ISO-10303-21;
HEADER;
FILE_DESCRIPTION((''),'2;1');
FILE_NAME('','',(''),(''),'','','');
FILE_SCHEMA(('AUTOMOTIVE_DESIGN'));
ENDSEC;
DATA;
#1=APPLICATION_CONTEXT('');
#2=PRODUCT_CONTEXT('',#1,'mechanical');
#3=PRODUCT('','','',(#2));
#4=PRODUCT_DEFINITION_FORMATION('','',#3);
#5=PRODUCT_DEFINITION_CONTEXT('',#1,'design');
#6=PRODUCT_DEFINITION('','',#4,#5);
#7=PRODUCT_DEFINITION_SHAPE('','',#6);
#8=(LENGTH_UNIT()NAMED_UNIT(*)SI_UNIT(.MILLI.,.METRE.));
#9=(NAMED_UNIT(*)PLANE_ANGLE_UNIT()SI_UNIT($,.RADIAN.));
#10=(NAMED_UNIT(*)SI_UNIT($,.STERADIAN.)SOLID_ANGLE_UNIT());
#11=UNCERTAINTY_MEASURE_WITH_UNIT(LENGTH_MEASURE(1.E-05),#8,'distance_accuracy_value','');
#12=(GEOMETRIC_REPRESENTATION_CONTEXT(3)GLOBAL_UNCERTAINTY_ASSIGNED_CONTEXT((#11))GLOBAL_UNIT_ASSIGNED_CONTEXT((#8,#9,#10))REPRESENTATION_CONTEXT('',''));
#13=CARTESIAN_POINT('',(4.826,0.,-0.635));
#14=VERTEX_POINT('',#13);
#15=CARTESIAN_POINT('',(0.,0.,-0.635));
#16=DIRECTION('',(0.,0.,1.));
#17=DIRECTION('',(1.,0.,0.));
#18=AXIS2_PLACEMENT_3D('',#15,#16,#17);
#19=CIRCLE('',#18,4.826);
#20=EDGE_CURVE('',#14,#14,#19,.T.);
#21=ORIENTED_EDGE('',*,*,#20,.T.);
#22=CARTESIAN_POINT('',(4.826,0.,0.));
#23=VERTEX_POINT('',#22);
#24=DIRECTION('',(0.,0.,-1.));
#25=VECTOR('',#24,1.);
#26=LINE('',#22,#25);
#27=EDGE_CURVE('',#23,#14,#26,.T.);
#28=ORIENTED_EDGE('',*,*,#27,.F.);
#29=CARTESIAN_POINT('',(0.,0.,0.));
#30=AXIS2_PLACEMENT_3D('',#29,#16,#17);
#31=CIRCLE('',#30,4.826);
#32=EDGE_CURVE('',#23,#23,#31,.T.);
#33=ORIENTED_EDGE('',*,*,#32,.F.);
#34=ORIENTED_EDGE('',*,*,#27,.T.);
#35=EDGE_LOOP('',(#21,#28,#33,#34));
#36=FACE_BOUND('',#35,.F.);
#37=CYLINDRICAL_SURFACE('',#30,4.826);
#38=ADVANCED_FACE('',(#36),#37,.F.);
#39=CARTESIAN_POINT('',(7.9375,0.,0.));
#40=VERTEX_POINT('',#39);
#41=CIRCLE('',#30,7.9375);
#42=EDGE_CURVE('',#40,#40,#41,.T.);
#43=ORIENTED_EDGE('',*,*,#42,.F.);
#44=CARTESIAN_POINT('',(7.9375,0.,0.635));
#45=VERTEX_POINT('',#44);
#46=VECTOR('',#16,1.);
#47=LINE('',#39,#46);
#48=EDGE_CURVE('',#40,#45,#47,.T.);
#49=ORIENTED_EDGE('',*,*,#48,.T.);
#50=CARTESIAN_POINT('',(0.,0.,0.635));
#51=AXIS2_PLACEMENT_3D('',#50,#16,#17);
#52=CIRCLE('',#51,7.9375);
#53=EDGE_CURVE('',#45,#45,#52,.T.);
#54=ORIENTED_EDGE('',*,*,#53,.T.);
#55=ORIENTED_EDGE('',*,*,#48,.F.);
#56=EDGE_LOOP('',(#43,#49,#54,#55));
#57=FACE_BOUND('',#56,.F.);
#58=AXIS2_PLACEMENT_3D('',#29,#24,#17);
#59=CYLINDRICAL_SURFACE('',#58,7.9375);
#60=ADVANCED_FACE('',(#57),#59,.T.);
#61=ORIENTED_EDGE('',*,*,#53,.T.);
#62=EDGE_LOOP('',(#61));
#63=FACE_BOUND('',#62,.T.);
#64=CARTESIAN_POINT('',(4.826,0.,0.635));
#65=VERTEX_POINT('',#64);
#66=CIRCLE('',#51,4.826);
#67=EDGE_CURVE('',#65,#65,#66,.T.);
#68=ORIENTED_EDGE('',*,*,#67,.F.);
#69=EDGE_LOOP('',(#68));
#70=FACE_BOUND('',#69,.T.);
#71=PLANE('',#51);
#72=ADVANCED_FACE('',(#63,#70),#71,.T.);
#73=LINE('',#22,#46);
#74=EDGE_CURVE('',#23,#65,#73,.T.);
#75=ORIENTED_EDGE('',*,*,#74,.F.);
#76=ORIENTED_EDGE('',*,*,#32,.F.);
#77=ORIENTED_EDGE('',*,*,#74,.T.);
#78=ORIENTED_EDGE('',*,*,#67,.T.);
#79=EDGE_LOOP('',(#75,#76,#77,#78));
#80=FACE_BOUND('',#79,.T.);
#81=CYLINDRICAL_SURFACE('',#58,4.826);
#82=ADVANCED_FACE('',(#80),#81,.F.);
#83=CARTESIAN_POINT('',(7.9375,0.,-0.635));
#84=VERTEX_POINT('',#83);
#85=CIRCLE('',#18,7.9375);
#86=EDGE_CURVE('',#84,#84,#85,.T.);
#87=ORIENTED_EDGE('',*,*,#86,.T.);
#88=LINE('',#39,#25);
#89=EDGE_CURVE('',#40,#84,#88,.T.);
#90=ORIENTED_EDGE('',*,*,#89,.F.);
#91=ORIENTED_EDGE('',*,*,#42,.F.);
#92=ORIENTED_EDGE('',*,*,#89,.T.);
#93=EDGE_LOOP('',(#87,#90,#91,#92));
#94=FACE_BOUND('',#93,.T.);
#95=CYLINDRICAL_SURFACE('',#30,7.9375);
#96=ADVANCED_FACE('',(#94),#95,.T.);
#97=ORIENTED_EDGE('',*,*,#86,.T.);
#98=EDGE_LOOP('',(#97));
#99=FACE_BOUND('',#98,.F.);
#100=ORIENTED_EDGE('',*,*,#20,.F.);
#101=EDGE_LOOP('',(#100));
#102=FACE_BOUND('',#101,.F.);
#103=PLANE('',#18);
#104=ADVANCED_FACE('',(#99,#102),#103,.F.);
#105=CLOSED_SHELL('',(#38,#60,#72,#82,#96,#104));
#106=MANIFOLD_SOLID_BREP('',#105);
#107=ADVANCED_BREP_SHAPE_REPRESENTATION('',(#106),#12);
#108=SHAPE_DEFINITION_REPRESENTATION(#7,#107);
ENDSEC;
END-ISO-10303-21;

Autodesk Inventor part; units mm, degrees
ref_plane "YZ Plane" through (0, 0, 0) normal (1, 0, 0) x (0, 1, 0)
ref_plane "XZ Plane" through (0, 0, 0) normal (0, 1, 0) x (-1, 0, 0)
ref_plane "XY Plane" through (0, 0, 0) normal (0, 0, 1) x (1, 0, 0)
sketch "Sketch2" plane through (0, 0, 0) normal (0, 0, 1) x (1, 0, 0)
  circle A0 centre (0, 0) radius 4.826
  circle A1 centre (0, 0) radius 7.9375
  dimension "d0" = 9.652
  dimension "d1" = 15.875
extrude "Extrusion1" add sketch "Sketch2" along normal mid plane 1.27
properties part number "SPACER,SPROCKET,IDLER,ELEVATOR" material "Steel, MS"
